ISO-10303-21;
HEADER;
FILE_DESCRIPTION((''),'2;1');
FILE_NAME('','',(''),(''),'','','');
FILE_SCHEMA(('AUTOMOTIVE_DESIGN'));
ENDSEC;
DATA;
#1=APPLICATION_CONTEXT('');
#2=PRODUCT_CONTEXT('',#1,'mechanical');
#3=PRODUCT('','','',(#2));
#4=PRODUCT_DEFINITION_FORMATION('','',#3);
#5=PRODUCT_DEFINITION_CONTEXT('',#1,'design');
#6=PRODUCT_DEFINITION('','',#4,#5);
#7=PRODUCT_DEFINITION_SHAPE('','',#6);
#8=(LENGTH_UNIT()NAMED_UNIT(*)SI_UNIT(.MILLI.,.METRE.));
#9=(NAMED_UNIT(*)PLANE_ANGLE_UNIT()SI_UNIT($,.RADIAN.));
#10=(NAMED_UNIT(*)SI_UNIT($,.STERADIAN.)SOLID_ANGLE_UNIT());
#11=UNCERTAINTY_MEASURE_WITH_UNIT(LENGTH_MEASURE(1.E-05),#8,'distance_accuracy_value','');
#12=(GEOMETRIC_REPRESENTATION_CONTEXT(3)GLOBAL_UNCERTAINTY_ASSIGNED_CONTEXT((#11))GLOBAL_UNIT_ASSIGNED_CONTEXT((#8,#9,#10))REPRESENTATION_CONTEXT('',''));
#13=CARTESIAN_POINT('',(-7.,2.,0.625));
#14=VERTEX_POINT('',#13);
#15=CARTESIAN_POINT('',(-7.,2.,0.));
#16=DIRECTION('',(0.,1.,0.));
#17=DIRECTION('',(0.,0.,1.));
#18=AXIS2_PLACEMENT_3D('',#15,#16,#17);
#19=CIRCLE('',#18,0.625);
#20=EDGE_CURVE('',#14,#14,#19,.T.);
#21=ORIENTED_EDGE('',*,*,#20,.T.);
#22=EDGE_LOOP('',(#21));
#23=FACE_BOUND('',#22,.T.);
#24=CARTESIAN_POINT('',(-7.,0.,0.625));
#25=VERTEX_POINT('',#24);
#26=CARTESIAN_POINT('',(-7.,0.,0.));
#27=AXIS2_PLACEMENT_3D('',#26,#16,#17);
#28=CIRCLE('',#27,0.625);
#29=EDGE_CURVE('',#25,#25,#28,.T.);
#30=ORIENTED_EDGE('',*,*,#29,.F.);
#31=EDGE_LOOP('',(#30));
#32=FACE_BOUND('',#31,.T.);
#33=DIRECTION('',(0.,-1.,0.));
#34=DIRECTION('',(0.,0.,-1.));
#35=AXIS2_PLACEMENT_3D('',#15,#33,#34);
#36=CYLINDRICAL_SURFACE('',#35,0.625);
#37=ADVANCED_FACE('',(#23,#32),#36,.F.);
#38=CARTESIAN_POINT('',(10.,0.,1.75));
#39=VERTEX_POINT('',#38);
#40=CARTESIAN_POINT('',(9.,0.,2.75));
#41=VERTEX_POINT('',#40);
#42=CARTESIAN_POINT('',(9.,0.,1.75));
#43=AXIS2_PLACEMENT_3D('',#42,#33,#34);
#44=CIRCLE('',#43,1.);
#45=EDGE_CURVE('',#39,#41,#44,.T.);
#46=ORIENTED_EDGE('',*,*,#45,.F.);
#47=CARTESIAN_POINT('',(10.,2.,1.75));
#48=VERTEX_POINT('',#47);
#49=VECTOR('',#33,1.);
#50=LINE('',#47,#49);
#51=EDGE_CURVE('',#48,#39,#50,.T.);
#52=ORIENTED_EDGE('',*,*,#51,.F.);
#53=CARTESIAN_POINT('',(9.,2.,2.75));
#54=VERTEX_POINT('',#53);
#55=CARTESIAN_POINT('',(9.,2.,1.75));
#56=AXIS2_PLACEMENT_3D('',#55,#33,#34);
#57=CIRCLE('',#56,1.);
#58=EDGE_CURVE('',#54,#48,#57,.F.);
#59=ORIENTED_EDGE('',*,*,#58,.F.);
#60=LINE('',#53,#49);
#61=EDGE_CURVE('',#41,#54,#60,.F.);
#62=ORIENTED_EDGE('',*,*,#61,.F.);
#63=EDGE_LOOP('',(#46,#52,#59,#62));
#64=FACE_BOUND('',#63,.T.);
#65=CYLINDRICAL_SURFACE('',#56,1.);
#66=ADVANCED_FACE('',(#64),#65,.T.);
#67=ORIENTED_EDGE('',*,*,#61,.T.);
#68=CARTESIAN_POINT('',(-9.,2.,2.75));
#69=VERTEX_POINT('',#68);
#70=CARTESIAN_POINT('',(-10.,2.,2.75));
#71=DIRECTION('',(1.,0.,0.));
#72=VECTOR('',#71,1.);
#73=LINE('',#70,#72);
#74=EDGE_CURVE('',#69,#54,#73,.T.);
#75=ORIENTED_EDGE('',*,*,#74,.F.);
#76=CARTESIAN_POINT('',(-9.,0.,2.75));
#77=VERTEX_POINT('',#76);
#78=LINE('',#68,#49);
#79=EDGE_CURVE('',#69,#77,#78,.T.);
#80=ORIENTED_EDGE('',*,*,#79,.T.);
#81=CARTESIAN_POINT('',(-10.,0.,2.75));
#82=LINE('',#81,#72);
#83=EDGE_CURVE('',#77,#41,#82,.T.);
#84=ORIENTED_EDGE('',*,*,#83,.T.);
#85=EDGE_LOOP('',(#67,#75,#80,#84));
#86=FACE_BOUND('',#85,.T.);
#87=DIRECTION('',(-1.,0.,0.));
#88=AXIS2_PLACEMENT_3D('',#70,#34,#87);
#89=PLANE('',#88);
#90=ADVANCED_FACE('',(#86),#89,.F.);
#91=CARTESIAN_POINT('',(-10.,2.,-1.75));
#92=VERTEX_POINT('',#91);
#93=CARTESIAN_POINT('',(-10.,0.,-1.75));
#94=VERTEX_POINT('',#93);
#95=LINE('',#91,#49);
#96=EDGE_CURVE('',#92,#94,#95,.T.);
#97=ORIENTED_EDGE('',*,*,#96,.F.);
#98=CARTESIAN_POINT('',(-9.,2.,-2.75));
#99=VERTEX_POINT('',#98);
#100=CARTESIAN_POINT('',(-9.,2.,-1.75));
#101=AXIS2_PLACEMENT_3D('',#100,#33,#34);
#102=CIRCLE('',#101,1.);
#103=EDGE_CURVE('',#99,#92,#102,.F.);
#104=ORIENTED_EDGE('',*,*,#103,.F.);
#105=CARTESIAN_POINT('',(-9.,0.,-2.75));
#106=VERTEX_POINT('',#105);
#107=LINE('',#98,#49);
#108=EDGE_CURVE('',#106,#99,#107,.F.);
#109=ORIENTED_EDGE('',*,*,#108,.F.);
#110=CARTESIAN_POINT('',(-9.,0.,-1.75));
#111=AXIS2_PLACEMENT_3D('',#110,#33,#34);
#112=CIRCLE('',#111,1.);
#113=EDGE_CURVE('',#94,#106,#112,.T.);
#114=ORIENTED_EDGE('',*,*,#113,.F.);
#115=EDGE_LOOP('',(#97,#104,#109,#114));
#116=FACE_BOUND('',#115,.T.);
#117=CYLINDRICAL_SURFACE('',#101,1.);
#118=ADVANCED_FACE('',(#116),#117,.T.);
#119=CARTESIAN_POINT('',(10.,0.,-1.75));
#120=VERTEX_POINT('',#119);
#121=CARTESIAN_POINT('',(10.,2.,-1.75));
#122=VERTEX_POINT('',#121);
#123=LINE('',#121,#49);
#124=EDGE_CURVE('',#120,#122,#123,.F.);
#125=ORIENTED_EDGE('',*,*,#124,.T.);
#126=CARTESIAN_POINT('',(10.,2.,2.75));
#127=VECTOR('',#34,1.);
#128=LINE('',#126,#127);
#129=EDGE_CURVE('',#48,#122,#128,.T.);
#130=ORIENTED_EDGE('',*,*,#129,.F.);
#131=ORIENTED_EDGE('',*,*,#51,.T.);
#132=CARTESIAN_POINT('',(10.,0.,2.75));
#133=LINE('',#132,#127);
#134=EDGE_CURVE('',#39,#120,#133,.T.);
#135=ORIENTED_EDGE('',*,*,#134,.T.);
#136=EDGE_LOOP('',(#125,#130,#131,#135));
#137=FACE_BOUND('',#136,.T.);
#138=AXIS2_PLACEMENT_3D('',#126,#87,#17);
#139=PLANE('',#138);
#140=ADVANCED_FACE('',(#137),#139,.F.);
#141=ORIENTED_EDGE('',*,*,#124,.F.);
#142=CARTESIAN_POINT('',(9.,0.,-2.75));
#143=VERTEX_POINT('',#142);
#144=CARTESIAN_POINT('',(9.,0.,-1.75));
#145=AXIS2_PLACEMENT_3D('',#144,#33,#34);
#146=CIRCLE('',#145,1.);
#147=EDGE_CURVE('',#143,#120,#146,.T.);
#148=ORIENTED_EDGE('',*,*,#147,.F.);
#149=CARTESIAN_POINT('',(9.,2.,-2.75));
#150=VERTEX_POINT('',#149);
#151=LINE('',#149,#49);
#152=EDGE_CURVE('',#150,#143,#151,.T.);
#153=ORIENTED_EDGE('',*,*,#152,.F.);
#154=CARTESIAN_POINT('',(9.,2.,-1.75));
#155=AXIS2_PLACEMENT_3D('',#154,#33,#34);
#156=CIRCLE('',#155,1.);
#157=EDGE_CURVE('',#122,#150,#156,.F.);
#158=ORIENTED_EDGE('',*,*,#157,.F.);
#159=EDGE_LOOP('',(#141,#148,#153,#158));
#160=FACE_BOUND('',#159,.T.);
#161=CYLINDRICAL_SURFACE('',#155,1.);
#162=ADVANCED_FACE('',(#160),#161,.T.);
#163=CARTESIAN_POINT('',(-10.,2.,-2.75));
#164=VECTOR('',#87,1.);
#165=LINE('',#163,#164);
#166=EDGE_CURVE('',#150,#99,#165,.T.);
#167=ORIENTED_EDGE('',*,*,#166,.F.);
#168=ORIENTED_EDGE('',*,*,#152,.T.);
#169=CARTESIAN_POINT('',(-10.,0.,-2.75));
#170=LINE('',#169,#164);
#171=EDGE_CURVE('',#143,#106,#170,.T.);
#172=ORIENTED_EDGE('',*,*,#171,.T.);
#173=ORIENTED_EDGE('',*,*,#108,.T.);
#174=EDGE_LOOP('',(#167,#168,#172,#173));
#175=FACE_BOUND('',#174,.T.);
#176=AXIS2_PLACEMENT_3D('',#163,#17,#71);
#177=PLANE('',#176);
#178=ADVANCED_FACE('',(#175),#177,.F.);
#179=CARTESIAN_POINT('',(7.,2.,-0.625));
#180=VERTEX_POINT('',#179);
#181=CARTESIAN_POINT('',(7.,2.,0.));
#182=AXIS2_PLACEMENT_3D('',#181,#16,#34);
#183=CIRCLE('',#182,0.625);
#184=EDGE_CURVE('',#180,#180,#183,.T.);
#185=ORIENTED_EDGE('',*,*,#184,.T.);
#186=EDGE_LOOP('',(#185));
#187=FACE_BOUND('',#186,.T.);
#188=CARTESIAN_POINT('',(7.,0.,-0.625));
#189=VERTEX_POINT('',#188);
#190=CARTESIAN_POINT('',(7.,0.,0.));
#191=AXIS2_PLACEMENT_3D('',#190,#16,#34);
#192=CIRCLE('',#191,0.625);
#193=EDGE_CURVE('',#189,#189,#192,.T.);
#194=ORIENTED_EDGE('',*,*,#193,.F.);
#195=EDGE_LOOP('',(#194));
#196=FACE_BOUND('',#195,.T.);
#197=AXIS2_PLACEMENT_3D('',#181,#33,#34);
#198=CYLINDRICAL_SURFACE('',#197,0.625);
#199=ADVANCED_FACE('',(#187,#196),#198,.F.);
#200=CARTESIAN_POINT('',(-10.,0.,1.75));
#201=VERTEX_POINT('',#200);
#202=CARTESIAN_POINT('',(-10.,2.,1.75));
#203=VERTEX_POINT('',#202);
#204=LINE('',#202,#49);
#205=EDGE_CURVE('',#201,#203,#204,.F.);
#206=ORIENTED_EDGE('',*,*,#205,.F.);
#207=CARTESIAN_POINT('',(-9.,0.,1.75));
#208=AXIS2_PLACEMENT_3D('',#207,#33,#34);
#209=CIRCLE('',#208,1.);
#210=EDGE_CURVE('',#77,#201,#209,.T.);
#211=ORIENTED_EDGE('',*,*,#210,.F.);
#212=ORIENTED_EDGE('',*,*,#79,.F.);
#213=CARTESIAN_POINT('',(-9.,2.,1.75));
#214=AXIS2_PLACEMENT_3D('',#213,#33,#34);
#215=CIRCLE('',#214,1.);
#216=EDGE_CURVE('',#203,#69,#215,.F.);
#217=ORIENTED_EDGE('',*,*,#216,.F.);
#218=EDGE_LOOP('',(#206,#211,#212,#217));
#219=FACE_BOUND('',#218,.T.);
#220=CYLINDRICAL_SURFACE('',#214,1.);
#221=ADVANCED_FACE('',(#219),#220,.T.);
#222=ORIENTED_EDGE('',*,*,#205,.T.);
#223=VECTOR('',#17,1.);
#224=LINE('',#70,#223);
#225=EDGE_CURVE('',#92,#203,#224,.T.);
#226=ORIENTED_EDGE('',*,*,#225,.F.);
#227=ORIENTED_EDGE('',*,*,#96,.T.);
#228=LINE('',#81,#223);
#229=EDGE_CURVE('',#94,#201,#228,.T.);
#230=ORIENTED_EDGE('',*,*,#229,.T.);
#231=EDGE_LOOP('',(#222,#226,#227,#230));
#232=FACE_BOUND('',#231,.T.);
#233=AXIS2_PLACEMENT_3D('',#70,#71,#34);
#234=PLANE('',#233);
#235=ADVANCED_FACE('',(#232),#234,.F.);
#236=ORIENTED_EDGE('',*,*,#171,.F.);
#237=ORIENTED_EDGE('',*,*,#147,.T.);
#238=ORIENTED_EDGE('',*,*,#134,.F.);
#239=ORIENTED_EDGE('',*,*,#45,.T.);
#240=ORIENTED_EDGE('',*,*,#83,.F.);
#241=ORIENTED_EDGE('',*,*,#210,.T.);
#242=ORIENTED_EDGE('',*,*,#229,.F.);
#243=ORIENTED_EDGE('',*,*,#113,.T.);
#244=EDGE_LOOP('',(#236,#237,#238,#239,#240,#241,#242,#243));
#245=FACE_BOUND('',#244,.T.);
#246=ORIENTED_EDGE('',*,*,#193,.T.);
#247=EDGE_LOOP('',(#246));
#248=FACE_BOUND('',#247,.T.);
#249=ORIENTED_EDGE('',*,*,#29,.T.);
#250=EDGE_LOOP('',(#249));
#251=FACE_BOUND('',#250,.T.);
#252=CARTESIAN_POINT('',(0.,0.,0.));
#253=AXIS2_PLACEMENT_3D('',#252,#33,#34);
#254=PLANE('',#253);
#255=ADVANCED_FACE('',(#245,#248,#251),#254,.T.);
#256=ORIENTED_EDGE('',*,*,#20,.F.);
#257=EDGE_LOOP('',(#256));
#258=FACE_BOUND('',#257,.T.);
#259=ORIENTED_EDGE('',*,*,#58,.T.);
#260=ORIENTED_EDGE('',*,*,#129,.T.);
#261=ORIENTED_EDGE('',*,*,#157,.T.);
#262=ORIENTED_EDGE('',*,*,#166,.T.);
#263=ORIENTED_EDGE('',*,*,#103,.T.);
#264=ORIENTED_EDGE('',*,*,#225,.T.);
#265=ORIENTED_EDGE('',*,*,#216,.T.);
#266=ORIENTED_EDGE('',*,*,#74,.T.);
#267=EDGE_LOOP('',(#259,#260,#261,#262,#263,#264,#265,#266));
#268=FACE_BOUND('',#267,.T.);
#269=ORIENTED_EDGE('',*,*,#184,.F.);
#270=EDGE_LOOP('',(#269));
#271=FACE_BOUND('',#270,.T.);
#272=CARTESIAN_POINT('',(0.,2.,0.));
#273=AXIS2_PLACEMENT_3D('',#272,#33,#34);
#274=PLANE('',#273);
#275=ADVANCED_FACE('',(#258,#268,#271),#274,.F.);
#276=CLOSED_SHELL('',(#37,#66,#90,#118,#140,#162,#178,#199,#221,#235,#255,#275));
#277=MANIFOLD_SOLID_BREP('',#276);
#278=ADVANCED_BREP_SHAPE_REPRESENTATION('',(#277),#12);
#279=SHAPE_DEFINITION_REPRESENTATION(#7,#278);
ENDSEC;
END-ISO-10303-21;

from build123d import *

# Parameters (mm, degrees)
CROQUIS1_W              = 20
CROQUIS1_H              = 5.5
CROQUIS1_R              = 0.625
SALIENTE_EXTRUIR1_DEPTH = 2
REDONDEO1_R             = 1


with BuildPart() as part:
    # Croquis1 → Saliente-Extruir1 (new body)
    with BuildSketch(Plane(origin=(0, 0, 0), x_dir=(1, 0, 0), z_dir=(0, 1, 0))):
        Rectangle(CROQUIS1_W, CROQUIS1_H)
        with Locations(Location((-7, 0, 0), (0, 0, 270))):
            Circle(CROQUIS1_R, mode=Mode.SUBTRACT)
        with Locations(Location((7, 0, 0), (0, 0, 90))):
            Circle(CROQUIS1_R, mode=Mode.SUBTRACT)
    extrude(amount=SALIENTE_EXTRUIR1_DEPTH)

    # Redondeo1
    redondeo1_edges = [part.edges().sort_by_distance(p)[0] for p in [
        (10, 1, 2.75),
        (-10, 1, 2.75),
        (-10, 1, -2.75),
        (10, 1, -2.75),
    ]]
    fillet(redondeo1_edges, radius=REDONDEO1_R)


solid = part.part
